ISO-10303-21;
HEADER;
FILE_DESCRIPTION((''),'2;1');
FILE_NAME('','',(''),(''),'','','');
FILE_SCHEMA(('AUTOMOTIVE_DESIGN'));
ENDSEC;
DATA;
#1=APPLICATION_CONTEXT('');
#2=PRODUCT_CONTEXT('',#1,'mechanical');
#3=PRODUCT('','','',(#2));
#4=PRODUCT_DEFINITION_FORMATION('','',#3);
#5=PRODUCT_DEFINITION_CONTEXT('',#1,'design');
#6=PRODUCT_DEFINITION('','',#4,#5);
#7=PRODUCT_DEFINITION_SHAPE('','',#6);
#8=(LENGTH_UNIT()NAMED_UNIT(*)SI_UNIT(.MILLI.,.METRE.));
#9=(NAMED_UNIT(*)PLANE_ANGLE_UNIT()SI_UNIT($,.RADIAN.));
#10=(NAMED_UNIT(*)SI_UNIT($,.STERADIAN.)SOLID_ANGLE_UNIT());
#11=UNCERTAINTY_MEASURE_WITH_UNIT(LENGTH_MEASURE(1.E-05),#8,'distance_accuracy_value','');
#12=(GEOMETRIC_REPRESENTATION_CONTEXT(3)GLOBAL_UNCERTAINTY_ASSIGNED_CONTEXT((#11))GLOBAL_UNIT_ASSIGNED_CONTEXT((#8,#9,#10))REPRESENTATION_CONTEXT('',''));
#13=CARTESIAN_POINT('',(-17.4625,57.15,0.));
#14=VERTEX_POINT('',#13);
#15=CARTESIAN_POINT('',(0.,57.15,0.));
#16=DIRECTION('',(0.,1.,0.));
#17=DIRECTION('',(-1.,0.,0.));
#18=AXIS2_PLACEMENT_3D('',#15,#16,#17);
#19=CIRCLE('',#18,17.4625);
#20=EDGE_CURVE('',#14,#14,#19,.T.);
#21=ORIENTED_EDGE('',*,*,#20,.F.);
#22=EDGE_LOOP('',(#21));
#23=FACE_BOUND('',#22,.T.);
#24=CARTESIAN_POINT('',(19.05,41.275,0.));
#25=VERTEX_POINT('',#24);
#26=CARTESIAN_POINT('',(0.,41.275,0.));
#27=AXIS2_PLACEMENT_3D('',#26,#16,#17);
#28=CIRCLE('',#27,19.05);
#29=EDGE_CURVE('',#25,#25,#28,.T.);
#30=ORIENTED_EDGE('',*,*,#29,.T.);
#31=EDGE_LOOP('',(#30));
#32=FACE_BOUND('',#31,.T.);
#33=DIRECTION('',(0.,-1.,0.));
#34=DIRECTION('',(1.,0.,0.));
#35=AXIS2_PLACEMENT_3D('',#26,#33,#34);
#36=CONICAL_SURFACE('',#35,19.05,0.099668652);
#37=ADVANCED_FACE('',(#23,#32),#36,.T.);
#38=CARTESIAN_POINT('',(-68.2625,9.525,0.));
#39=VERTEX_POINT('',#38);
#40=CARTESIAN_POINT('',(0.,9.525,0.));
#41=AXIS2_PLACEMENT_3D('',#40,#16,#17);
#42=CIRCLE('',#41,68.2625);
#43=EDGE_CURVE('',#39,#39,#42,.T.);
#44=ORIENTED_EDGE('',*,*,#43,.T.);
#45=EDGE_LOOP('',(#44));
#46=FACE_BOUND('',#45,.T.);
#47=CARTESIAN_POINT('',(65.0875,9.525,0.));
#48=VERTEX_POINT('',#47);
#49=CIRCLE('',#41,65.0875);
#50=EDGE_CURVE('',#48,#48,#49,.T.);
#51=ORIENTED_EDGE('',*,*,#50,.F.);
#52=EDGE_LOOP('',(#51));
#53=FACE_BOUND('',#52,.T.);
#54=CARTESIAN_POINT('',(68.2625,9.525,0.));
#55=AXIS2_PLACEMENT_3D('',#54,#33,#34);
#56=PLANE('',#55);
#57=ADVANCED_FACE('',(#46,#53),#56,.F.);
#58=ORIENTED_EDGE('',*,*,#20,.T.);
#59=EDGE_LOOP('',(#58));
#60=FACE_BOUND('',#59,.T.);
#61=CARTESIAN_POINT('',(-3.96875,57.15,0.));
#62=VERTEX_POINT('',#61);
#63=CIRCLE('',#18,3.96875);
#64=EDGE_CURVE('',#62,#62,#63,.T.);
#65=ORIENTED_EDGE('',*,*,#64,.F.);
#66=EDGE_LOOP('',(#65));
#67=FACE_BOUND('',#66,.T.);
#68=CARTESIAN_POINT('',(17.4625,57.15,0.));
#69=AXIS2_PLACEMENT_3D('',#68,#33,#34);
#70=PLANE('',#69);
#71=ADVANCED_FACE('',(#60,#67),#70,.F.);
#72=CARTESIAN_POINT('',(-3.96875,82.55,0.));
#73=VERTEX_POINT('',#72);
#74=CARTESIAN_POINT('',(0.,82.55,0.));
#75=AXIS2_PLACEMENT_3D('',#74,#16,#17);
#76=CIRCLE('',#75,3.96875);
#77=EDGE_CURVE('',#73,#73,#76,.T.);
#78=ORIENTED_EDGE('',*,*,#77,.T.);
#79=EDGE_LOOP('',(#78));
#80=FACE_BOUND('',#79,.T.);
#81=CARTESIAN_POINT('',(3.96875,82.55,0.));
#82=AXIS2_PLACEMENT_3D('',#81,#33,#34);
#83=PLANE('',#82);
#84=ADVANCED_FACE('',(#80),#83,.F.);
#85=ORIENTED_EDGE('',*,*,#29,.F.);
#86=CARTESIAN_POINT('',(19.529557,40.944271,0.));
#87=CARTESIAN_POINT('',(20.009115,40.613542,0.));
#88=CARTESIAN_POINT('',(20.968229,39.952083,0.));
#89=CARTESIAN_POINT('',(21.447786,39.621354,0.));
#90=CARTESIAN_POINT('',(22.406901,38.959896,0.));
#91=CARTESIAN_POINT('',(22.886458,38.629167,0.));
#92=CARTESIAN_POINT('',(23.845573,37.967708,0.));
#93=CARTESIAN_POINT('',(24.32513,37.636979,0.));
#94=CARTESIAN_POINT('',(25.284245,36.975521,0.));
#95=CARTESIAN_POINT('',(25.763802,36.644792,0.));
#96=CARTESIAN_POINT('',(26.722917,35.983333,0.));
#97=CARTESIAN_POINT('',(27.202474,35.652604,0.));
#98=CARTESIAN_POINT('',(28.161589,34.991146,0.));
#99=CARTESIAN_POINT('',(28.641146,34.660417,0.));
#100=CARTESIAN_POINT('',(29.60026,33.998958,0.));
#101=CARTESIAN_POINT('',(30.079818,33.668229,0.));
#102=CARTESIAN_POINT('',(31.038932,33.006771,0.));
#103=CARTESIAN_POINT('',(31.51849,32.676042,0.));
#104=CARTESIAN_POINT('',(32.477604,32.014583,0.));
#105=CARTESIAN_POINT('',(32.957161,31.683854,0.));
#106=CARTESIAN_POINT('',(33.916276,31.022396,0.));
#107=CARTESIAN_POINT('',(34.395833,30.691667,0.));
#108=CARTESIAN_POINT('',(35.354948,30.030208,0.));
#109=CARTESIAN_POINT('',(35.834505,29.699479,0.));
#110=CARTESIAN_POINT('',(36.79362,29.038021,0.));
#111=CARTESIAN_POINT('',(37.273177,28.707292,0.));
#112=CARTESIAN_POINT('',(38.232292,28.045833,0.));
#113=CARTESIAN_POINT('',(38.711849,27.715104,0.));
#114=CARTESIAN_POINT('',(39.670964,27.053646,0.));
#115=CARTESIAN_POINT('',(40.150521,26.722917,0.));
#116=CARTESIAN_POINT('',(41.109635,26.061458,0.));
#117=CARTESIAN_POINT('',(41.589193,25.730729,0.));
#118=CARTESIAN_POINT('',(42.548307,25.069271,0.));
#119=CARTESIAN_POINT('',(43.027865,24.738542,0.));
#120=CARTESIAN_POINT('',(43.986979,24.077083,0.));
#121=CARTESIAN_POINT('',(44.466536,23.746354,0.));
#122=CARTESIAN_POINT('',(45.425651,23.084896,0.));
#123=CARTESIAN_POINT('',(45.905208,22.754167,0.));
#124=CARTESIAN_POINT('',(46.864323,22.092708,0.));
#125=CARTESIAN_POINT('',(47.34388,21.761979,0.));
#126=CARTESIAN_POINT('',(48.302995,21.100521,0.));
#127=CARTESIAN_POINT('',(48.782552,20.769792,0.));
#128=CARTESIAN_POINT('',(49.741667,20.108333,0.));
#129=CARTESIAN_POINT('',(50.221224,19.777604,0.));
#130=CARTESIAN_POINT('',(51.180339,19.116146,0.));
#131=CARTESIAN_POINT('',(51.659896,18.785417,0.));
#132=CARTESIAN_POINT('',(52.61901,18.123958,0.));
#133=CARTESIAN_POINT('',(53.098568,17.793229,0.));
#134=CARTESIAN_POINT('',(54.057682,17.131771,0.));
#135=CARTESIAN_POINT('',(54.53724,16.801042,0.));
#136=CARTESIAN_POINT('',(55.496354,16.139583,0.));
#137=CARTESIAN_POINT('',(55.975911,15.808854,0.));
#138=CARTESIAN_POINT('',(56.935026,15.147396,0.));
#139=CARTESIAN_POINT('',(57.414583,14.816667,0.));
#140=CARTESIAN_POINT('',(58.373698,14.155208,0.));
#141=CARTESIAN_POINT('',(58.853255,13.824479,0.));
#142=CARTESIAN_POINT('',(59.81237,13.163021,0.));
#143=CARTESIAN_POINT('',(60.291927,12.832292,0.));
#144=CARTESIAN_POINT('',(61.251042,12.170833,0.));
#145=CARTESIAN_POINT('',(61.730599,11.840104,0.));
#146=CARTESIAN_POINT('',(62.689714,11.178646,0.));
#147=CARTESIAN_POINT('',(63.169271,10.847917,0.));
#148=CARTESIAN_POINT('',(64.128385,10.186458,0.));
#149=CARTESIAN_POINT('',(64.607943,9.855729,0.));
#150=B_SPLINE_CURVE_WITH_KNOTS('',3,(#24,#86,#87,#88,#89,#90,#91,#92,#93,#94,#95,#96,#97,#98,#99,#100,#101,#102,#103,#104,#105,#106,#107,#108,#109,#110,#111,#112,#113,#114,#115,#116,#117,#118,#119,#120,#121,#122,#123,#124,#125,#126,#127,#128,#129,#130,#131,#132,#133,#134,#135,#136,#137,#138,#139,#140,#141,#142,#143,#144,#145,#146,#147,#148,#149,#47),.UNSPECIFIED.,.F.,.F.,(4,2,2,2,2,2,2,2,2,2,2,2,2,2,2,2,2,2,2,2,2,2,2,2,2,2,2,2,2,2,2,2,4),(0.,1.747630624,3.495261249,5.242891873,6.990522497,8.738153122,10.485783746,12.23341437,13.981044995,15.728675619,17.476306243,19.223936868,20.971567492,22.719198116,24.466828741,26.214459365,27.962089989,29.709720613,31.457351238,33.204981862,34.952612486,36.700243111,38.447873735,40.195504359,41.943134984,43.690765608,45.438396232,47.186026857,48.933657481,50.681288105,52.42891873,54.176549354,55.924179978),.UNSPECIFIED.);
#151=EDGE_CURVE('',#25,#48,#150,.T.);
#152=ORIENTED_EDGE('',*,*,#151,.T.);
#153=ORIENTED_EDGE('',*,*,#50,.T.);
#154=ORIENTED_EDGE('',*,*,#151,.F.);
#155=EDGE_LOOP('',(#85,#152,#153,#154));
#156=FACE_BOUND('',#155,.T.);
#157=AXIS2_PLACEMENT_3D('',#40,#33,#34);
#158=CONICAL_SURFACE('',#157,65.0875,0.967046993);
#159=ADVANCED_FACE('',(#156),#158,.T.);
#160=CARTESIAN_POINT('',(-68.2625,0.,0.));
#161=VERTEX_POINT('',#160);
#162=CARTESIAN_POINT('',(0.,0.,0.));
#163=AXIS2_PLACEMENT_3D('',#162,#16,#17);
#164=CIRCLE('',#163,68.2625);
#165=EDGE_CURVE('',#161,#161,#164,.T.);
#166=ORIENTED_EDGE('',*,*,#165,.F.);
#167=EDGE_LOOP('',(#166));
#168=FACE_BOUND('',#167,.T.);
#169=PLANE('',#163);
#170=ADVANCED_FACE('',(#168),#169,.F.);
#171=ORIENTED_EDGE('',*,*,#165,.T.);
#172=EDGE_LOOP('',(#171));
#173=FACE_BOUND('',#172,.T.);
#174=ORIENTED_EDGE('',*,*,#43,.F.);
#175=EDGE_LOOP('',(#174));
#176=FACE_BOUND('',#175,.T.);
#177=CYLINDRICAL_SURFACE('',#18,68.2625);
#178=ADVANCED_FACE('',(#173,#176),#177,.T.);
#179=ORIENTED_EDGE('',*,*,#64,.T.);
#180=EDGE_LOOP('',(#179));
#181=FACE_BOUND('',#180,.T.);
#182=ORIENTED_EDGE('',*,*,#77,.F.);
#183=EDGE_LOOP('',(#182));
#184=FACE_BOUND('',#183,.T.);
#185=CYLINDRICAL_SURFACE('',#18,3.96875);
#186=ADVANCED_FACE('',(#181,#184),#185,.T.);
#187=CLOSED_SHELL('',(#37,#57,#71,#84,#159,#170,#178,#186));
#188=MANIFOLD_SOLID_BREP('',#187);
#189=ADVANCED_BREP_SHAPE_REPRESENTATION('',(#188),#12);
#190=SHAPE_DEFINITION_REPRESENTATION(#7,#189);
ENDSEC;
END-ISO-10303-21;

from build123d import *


with BuildPart() as part:
    # Sketch1 → Revolve1 (revolve)
    with BuildSketch(Plane.XY, mode=Mode.PRIVATE) as revolve1_sk:
        Polygon((0, 0), (68.2625, 0), (68.2625, 9.525), (65.0875, 9.525), (19.05, 41.275), (17.4625, 57.15), (3.96875, 57.15), (3.96875, 82.55), (0, 82.55), (0, 57.15), align=None)
    revolve(revolve1_sk.sketch.rotate(Axis((0, 57.15, 0), (0, -1, 0)), 180), axis=Axis((0, 57.15, 0), (0, -1, 0)))


solid = part.part
